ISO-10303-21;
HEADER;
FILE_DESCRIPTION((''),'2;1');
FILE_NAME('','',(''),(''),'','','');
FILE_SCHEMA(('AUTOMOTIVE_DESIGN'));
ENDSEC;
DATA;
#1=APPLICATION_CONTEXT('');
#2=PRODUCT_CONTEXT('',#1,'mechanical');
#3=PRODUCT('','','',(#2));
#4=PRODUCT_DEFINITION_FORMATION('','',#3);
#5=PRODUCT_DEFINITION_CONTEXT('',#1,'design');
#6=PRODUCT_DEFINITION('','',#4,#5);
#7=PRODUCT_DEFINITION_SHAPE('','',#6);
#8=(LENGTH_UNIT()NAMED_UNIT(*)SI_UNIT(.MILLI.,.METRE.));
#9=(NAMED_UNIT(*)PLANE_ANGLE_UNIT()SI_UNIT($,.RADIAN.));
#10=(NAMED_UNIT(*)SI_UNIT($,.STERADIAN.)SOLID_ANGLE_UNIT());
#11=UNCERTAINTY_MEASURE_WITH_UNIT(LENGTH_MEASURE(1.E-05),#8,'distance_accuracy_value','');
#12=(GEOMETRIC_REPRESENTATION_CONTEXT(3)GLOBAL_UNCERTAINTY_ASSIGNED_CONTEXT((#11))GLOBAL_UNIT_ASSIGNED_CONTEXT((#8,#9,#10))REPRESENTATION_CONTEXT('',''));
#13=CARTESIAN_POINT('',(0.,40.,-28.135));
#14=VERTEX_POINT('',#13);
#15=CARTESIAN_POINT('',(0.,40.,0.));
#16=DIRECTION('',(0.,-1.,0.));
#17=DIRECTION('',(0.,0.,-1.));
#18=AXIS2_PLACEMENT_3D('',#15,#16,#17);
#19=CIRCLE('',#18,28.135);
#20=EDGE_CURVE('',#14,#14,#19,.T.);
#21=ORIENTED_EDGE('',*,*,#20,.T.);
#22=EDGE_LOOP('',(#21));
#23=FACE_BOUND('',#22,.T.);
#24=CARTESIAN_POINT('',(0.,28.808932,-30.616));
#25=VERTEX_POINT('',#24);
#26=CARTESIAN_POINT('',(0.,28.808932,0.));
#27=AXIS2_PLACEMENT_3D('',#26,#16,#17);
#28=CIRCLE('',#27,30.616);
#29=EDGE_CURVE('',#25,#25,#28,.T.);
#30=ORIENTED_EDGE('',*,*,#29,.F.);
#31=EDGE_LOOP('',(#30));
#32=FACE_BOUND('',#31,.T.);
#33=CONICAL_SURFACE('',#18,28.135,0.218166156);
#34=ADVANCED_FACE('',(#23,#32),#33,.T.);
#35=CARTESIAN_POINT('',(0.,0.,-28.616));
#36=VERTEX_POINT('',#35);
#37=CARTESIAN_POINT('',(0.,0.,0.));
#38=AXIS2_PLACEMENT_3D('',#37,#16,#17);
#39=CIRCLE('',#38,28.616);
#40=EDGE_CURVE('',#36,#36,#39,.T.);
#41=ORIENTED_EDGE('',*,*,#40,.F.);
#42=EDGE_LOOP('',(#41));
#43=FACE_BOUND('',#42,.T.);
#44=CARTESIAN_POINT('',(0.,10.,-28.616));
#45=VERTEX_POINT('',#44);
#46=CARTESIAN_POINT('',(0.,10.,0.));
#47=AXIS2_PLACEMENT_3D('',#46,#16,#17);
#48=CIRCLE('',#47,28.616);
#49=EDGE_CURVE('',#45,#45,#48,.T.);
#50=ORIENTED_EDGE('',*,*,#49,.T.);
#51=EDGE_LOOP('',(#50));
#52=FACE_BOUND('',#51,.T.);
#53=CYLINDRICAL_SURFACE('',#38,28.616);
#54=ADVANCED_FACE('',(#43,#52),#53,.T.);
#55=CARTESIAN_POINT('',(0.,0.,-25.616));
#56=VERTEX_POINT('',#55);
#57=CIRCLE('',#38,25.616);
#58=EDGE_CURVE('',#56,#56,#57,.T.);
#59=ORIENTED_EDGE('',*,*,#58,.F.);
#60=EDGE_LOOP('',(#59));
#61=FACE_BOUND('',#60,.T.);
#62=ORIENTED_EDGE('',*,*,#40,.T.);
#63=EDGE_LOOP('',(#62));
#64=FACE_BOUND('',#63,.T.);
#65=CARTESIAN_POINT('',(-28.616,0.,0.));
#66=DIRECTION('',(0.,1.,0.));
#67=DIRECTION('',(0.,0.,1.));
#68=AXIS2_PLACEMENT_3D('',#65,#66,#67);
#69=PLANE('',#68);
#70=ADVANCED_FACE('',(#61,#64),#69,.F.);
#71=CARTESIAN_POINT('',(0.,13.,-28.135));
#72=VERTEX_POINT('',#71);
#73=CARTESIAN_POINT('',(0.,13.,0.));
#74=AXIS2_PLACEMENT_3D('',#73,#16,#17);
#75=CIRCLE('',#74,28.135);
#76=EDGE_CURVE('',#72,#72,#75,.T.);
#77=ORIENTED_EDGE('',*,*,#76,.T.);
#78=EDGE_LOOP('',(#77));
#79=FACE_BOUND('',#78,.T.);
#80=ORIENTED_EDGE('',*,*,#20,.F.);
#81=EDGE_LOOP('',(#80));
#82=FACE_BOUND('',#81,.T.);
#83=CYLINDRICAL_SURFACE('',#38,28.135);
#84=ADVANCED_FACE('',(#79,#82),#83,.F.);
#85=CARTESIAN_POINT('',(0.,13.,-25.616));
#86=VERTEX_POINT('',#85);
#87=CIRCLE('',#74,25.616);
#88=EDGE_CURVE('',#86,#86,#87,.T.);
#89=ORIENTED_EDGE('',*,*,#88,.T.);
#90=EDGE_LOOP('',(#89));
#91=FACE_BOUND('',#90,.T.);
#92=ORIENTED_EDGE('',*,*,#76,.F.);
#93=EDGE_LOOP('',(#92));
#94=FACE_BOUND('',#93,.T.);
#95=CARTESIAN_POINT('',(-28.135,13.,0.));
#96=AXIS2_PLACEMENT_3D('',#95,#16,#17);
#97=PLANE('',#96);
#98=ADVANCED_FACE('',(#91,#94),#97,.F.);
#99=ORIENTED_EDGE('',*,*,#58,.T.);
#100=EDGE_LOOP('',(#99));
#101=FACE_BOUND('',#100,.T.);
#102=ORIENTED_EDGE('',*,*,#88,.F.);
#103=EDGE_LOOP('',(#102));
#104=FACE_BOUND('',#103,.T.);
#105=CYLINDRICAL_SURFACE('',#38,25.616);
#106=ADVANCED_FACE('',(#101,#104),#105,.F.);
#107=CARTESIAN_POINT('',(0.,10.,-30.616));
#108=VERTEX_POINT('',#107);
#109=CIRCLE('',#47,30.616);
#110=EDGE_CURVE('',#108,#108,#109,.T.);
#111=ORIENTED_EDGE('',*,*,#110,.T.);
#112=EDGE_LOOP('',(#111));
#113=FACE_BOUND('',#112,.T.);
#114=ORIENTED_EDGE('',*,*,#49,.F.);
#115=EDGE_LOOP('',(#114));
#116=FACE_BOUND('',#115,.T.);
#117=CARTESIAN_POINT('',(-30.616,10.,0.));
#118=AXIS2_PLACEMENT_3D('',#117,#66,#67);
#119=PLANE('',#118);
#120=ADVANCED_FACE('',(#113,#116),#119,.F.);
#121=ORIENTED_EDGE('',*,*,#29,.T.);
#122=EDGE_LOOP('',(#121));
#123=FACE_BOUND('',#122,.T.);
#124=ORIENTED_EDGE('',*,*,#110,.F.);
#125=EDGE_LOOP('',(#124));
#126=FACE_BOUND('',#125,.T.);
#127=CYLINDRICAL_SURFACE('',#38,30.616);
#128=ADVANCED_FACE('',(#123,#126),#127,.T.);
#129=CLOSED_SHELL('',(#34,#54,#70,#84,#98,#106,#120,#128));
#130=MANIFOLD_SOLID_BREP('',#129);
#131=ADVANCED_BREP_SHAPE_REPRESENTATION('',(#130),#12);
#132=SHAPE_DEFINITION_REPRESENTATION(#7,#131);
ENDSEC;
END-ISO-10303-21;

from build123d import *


with BuildPart() as part:
    # Sketch1 → Revolve1 (revolve)
    with BuildSketch(Plane.XY, mode=Mode.PRIVATE) as revolve1_sk:
        Polygon((-30.616, 13), (-30.616, 10), (-28.616, 10), (-28.616, 0), (-25.616, 0), (-25.616, 13), (-28.135, 13), (-28.135, 40), (-30.616, 28.808932202), align=None)
    revolve(revolve1_sk.sketch.rotate(Axis((0, 0, 0), (0, 1, 0)), 270), axis=Axis((0, 0, 0), (0, 1, 0)))


solid = part.part
